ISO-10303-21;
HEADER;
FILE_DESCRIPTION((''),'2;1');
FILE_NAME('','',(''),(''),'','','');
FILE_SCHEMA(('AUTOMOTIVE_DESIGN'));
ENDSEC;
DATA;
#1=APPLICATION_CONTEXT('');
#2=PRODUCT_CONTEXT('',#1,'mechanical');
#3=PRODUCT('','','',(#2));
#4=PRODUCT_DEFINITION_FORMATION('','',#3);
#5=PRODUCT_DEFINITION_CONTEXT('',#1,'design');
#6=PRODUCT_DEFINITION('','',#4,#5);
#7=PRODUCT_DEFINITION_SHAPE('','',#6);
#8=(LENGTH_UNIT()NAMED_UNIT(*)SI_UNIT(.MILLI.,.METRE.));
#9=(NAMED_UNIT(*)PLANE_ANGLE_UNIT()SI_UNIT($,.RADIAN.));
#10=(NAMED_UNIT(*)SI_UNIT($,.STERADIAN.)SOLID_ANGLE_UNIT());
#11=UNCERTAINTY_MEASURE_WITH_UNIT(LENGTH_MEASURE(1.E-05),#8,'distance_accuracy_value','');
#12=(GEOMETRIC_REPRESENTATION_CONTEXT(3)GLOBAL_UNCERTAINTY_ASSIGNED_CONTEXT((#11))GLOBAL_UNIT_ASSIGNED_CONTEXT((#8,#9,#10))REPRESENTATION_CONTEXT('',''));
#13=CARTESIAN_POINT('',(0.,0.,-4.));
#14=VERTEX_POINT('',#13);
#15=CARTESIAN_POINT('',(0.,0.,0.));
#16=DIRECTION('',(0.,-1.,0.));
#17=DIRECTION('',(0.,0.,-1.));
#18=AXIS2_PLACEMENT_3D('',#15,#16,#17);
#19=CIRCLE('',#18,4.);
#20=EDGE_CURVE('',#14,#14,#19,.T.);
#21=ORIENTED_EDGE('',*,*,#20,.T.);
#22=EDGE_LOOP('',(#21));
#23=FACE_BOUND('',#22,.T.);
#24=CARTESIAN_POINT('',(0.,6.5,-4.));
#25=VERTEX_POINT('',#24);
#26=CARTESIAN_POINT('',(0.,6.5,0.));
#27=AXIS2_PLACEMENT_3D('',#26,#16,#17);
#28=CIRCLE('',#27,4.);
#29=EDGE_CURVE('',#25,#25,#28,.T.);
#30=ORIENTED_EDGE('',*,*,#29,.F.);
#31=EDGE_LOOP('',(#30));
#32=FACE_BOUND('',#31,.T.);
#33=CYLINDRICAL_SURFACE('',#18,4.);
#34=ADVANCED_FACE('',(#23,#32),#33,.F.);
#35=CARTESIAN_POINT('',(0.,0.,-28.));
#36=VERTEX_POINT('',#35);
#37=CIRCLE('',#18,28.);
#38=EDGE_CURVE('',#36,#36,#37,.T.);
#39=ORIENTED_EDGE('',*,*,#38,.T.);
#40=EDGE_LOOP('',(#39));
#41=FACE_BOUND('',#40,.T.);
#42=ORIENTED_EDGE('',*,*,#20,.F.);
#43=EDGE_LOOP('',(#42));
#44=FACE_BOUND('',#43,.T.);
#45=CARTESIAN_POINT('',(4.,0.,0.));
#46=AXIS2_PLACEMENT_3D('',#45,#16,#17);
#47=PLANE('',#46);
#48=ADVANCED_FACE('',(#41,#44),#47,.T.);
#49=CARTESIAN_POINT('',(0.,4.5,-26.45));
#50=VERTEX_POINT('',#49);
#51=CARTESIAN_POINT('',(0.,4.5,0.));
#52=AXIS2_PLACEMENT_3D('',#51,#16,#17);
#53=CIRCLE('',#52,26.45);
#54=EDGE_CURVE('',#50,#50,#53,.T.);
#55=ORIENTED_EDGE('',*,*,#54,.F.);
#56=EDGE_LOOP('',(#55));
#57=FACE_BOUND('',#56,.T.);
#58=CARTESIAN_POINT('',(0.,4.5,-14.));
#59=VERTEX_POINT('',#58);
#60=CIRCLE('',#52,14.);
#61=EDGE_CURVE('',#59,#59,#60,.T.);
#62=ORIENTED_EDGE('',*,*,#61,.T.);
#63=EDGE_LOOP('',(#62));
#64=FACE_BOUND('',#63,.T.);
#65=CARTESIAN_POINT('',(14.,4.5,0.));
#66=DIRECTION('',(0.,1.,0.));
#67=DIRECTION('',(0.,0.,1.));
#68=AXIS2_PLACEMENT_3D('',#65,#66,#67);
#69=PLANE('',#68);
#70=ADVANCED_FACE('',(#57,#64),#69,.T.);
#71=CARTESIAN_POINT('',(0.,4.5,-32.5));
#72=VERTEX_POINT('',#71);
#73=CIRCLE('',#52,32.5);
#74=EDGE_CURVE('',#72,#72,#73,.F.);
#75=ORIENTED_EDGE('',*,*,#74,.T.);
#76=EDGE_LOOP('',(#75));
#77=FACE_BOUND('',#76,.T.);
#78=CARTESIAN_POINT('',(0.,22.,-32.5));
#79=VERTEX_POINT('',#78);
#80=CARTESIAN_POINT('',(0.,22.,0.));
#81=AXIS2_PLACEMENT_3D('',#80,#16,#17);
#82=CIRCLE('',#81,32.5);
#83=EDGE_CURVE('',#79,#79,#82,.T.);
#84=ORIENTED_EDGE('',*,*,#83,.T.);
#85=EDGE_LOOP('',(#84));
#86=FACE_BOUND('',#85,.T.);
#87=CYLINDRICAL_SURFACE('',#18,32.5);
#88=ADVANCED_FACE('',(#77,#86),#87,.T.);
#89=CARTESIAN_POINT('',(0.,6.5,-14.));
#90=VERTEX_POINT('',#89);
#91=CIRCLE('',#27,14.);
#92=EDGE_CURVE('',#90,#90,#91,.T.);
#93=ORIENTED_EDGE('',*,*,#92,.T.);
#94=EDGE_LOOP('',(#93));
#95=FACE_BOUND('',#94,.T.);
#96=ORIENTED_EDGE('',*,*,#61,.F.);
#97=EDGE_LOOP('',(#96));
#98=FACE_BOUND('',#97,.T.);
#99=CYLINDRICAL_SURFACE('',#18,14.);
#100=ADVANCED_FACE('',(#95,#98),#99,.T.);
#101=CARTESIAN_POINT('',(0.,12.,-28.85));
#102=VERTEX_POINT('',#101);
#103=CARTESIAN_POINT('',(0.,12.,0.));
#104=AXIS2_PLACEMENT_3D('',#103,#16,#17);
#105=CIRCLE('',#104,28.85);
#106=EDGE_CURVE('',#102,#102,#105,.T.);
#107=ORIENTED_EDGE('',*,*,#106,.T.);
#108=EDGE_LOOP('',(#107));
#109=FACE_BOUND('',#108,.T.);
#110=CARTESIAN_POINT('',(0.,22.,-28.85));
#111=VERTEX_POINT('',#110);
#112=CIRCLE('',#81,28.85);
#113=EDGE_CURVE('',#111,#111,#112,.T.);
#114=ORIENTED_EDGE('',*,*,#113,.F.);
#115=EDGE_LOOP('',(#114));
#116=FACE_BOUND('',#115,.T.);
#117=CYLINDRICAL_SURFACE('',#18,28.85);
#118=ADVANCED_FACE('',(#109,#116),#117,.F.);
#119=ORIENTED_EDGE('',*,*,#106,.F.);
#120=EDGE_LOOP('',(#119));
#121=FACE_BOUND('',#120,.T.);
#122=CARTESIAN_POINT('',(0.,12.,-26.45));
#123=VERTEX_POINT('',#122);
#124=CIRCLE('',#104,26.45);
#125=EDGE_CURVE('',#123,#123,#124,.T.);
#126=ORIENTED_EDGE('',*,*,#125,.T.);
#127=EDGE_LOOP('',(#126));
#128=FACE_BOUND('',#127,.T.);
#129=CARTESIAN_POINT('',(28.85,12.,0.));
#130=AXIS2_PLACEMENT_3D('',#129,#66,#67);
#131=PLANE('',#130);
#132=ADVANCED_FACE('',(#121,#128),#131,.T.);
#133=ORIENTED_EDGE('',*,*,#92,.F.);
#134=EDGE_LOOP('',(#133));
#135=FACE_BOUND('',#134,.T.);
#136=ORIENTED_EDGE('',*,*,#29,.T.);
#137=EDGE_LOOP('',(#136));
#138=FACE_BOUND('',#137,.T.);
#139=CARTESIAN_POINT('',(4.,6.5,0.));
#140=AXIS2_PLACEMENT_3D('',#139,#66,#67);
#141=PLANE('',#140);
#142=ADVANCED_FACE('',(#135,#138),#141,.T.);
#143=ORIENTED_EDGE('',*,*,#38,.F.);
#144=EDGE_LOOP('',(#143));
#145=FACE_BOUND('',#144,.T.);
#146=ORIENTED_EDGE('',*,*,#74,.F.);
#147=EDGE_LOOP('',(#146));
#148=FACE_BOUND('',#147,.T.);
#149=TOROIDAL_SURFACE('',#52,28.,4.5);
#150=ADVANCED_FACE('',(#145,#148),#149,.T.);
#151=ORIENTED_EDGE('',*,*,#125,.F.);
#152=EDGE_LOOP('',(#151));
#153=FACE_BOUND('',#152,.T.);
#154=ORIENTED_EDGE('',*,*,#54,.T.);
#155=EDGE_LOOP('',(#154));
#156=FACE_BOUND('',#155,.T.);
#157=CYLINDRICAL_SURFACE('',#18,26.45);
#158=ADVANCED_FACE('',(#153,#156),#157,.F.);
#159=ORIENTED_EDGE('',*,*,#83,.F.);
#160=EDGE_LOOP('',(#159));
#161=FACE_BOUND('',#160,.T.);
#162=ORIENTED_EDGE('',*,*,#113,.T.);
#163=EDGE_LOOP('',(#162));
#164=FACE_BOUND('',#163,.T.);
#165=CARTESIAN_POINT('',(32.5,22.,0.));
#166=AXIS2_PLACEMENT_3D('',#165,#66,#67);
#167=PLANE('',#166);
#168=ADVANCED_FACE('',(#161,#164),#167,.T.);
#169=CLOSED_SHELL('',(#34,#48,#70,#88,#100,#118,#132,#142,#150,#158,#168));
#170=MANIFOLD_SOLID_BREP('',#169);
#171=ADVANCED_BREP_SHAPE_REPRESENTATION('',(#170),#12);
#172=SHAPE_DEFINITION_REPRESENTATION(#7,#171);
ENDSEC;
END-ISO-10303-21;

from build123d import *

# Parameters (mm, degrees)
FILLET1_R = 4.5


with BuildPart() as part:
    # Sketch2 → Revolve1 (revolve)
    with BuildSketch(Plane.XY):
        Polygon((4, 0), (28.52273273, 0), (32.5, 0), (32.5, 10), (32.5, 22), (28.85, 22), (28.85, 12), (26.45, 12), (26.45, 4.5), (14, 4.5), (14, 6.5), (4, 6.5), (4, 4), align=None)
    revolve(axis=Axis((0, 0, 0), (0, 1, 0)))

    # Fillet1
    fillet1_edges = [part.edges().sort_by_distance(p)[0] for p in [
        (-32.5, 0, 0),
    ]]
    fillet(fillet1_edges, radius=FILLET1_R)


solid = part.part
